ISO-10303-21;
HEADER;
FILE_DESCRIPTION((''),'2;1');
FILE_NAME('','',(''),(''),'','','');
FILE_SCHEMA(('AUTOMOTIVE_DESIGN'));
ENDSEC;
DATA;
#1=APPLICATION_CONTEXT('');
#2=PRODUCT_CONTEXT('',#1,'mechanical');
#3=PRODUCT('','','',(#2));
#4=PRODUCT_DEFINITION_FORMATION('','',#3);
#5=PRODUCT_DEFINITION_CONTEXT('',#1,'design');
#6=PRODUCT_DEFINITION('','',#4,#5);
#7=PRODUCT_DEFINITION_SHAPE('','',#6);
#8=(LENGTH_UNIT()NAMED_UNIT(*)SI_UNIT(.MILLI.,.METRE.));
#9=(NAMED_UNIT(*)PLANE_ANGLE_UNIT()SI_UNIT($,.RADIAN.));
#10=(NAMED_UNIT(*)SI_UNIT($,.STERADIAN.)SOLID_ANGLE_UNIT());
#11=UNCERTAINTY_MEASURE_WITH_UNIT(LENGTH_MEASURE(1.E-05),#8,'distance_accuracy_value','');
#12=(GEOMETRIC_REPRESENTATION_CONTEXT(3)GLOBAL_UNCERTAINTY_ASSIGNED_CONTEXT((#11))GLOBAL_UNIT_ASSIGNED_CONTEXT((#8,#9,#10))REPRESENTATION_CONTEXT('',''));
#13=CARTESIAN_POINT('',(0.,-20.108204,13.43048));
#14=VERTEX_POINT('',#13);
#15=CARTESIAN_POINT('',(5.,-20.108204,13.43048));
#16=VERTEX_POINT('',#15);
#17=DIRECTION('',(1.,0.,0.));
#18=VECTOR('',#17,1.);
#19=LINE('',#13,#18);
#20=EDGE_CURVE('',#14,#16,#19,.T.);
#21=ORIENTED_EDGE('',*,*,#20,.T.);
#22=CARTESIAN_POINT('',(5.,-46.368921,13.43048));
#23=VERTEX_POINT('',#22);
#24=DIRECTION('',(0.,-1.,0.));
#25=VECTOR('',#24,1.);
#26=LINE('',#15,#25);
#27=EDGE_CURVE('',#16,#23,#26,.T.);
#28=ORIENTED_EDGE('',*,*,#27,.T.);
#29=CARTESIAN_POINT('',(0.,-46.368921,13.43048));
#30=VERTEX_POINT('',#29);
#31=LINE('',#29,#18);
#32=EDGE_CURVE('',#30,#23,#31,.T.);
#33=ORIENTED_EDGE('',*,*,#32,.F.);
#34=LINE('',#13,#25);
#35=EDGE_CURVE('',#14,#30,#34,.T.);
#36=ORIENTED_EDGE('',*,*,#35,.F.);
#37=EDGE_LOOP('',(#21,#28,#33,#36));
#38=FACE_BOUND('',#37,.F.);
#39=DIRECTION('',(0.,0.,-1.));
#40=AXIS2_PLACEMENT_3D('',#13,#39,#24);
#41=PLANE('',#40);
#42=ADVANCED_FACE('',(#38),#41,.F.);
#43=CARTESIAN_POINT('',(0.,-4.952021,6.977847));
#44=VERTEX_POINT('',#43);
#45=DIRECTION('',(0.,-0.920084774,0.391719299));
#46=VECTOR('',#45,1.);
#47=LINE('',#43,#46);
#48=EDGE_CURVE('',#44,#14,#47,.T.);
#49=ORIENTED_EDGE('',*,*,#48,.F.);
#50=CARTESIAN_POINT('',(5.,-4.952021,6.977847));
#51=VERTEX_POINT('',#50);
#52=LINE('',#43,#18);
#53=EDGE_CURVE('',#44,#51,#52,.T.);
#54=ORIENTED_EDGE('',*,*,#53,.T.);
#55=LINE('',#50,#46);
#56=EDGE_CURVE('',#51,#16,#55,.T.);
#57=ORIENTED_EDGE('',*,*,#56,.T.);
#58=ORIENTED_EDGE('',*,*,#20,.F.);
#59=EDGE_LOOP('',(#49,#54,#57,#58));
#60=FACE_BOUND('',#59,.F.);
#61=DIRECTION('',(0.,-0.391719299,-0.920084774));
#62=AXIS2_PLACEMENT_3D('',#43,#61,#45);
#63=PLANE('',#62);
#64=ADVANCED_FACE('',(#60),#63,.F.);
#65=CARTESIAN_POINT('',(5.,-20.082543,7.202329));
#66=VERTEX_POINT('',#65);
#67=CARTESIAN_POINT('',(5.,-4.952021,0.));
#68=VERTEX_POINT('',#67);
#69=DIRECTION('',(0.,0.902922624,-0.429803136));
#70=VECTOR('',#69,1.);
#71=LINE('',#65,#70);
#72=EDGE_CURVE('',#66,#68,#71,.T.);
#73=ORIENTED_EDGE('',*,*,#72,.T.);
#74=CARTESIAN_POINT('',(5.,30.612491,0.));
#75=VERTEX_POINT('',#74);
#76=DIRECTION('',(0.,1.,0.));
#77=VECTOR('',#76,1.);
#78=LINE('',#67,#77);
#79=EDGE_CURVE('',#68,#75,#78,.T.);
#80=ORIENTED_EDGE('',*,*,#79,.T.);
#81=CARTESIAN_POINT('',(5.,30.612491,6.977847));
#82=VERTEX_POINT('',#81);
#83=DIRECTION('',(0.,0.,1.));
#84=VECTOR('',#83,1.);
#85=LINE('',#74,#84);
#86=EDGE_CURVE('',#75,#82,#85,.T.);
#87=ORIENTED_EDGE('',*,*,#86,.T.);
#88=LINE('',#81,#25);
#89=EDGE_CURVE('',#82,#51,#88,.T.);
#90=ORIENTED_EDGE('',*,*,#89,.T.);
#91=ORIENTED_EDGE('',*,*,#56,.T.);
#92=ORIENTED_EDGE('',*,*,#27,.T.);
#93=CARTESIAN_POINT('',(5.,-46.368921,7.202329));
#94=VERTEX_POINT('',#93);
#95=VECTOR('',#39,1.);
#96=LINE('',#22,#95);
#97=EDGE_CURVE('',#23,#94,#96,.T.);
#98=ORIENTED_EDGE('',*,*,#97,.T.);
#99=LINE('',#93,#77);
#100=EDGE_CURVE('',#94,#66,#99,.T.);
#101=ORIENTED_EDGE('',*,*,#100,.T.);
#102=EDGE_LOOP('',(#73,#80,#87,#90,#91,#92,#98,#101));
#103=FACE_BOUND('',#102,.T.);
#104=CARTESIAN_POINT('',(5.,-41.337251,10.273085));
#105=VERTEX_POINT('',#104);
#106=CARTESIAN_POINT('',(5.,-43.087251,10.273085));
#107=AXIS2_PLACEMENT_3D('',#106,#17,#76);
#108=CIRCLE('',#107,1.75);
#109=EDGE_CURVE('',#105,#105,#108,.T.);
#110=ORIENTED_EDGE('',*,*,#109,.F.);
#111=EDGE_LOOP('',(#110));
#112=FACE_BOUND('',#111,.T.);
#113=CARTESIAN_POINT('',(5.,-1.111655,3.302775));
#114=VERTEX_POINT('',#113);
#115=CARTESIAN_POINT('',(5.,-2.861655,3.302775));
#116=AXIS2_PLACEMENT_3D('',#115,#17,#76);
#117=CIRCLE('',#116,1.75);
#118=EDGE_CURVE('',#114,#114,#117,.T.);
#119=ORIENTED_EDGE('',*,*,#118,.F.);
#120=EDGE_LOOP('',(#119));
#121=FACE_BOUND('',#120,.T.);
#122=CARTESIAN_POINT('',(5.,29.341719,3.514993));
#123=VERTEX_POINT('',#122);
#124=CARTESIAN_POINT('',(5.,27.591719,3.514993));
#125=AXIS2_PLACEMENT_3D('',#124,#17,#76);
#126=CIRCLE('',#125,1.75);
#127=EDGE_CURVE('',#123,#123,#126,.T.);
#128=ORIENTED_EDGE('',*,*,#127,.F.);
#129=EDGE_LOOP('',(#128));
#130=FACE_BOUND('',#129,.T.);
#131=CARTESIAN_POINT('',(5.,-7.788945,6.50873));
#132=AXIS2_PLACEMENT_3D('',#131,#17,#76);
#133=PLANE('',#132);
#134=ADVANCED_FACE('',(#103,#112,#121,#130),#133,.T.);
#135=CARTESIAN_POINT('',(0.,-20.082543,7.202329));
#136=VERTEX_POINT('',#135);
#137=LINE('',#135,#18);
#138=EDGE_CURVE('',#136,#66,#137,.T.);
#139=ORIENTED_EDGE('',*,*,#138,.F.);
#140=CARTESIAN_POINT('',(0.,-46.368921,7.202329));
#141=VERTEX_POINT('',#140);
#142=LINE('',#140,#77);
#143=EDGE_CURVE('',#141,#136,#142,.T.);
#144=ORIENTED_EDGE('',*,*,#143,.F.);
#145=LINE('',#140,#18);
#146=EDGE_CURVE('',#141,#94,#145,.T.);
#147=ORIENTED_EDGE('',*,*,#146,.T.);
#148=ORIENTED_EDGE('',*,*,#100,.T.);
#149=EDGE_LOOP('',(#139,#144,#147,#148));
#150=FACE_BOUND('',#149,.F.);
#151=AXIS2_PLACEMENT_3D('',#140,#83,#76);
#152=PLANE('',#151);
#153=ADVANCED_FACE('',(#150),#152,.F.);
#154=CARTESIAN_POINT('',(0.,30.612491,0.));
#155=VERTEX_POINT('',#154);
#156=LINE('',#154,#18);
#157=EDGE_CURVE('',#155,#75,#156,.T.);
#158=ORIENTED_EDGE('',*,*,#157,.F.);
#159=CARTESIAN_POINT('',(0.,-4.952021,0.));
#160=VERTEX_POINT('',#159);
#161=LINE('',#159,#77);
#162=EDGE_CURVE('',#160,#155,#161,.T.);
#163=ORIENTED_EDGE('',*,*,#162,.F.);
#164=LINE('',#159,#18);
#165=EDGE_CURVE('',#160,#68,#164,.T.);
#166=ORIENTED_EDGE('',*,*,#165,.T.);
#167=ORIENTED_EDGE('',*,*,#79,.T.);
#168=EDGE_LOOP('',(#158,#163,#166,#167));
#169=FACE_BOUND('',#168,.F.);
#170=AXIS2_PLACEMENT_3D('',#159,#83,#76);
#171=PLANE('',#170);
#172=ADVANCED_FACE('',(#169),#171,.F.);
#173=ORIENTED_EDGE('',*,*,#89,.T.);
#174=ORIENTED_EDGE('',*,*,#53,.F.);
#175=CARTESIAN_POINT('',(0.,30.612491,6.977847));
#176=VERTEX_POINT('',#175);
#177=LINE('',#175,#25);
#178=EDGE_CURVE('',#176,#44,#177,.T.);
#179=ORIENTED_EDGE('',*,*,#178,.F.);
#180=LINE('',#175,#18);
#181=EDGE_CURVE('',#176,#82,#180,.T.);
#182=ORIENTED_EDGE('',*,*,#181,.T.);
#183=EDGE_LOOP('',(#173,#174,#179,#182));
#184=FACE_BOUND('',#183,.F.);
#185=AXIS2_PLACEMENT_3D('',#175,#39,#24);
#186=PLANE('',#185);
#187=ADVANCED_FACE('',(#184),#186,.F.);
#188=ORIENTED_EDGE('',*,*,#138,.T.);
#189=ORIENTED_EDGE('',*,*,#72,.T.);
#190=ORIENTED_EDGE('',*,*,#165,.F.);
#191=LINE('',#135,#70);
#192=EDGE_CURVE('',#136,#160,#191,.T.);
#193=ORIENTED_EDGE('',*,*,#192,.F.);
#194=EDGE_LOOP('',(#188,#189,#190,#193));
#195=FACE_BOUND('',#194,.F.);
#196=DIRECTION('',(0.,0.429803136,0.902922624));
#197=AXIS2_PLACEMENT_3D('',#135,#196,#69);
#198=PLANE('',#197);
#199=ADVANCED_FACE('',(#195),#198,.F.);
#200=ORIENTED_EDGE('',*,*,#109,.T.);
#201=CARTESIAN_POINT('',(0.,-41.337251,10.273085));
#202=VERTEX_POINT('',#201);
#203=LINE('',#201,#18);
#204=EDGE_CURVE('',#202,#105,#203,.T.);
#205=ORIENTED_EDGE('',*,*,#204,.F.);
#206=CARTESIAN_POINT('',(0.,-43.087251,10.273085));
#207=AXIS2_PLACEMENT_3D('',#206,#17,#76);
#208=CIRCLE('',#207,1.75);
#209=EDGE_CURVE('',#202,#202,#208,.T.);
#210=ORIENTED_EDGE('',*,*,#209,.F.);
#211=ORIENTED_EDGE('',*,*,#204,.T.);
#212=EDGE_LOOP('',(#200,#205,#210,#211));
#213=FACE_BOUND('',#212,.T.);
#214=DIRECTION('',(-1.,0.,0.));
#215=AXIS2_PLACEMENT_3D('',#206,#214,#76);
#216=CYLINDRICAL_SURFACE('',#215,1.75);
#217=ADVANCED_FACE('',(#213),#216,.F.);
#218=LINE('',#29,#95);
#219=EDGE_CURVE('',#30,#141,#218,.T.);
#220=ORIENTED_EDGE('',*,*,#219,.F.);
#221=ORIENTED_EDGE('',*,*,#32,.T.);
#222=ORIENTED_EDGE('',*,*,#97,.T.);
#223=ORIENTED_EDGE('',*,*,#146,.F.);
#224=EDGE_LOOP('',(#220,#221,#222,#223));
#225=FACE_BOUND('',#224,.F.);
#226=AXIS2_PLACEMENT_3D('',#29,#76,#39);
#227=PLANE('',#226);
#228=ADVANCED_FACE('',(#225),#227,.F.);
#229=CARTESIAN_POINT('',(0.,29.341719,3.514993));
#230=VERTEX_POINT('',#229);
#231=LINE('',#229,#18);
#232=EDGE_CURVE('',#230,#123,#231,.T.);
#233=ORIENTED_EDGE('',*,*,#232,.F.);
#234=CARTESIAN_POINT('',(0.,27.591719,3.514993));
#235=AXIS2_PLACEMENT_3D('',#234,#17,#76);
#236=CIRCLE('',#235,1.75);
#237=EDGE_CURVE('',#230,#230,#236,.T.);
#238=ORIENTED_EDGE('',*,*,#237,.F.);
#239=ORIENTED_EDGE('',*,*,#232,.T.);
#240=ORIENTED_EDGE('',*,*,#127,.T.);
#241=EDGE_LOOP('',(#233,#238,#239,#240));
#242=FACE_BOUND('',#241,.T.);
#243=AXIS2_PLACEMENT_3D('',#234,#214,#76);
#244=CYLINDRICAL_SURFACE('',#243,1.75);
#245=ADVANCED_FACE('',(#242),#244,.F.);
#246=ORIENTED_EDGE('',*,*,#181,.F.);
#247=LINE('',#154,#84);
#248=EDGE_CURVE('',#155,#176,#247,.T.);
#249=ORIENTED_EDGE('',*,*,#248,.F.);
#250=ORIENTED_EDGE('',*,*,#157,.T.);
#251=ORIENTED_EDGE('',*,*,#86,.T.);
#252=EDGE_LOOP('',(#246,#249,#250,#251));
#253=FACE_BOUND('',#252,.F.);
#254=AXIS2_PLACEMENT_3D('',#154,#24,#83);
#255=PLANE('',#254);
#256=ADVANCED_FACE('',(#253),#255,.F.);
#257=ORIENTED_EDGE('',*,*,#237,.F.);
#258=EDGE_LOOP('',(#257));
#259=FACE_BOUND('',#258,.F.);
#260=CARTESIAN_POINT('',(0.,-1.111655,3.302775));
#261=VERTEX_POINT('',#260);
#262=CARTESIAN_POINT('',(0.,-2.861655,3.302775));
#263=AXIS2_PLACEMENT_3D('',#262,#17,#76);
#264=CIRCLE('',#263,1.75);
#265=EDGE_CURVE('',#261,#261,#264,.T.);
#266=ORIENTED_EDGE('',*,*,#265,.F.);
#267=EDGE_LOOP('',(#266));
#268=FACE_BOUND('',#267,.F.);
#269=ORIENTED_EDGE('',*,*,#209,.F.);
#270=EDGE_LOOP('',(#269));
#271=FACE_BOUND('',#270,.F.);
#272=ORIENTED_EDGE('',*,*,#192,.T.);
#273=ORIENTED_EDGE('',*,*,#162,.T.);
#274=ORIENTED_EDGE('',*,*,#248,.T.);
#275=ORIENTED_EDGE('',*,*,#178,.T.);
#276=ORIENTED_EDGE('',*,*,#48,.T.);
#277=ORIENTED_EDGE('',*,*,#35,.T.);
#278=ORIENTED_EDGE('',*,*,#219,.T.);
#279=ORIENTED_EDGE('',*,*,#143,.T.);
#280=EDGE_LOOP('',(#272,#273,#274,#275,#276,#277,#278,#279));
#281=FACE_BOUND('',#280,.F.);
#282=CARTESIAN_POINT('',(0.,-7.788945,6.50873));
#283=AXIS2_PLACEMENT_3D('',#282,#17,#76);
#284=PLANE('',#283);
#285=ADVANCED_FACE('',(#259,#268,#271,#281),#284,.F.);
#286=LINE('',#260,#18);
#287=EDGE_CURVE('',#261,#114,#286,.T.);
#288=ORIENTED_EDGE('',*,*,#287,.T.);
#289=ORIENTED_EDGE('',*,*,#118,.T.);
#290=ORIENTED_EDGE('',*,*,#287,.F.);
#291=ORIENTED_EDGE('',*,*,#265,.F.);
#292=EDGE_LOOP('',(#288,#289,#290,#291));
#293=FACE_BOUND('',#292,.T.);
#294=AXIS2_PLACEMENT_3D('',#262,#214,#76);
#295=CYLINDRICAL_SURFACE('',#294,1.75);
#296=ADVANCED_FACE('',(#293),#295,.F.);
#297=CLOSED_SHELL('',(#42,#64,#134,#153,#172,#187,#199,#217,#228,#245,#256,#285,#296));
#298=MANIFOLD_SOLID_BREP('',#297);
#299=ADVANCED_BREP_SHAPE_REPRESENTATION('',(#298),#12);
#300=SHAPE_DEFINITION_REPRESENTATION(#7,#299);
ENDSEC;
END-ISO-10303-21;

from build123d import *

# Parameters (mm, degrees)
F0_R     = 1.75
F1_DEPTH = 5


with BuildPart() as f1:
    # F0 (on Right) → F1 (new body)
    with BuildSketch(Plane.YZ):
        Polygon((-4.952021, 0), (30.612491, 0), (30.612491, 6.977847), (-4.952021, 6.977847), (-20.108204, 13.43048), (-46.368921, 13.43048), (-46.368921, 7.202329), (-20.083733, 7.202329), (-20.082543, 7.202329), align=None)
        with Locations((-2.861655, 3.302775)):
            Circle(F0_R, mode=Mode.SUBTRACT)
        with Locations((27.591719, 3.514993)):
            Circle(F0_R, mode=Mode.SUBTRACT)
        with Locations((-43.087251, 10.273085)):
            Circle(F0_R, mode=Mode.SUBTRACT)
    extrude(amount=F1_DEPTH)


solid = f1.part
